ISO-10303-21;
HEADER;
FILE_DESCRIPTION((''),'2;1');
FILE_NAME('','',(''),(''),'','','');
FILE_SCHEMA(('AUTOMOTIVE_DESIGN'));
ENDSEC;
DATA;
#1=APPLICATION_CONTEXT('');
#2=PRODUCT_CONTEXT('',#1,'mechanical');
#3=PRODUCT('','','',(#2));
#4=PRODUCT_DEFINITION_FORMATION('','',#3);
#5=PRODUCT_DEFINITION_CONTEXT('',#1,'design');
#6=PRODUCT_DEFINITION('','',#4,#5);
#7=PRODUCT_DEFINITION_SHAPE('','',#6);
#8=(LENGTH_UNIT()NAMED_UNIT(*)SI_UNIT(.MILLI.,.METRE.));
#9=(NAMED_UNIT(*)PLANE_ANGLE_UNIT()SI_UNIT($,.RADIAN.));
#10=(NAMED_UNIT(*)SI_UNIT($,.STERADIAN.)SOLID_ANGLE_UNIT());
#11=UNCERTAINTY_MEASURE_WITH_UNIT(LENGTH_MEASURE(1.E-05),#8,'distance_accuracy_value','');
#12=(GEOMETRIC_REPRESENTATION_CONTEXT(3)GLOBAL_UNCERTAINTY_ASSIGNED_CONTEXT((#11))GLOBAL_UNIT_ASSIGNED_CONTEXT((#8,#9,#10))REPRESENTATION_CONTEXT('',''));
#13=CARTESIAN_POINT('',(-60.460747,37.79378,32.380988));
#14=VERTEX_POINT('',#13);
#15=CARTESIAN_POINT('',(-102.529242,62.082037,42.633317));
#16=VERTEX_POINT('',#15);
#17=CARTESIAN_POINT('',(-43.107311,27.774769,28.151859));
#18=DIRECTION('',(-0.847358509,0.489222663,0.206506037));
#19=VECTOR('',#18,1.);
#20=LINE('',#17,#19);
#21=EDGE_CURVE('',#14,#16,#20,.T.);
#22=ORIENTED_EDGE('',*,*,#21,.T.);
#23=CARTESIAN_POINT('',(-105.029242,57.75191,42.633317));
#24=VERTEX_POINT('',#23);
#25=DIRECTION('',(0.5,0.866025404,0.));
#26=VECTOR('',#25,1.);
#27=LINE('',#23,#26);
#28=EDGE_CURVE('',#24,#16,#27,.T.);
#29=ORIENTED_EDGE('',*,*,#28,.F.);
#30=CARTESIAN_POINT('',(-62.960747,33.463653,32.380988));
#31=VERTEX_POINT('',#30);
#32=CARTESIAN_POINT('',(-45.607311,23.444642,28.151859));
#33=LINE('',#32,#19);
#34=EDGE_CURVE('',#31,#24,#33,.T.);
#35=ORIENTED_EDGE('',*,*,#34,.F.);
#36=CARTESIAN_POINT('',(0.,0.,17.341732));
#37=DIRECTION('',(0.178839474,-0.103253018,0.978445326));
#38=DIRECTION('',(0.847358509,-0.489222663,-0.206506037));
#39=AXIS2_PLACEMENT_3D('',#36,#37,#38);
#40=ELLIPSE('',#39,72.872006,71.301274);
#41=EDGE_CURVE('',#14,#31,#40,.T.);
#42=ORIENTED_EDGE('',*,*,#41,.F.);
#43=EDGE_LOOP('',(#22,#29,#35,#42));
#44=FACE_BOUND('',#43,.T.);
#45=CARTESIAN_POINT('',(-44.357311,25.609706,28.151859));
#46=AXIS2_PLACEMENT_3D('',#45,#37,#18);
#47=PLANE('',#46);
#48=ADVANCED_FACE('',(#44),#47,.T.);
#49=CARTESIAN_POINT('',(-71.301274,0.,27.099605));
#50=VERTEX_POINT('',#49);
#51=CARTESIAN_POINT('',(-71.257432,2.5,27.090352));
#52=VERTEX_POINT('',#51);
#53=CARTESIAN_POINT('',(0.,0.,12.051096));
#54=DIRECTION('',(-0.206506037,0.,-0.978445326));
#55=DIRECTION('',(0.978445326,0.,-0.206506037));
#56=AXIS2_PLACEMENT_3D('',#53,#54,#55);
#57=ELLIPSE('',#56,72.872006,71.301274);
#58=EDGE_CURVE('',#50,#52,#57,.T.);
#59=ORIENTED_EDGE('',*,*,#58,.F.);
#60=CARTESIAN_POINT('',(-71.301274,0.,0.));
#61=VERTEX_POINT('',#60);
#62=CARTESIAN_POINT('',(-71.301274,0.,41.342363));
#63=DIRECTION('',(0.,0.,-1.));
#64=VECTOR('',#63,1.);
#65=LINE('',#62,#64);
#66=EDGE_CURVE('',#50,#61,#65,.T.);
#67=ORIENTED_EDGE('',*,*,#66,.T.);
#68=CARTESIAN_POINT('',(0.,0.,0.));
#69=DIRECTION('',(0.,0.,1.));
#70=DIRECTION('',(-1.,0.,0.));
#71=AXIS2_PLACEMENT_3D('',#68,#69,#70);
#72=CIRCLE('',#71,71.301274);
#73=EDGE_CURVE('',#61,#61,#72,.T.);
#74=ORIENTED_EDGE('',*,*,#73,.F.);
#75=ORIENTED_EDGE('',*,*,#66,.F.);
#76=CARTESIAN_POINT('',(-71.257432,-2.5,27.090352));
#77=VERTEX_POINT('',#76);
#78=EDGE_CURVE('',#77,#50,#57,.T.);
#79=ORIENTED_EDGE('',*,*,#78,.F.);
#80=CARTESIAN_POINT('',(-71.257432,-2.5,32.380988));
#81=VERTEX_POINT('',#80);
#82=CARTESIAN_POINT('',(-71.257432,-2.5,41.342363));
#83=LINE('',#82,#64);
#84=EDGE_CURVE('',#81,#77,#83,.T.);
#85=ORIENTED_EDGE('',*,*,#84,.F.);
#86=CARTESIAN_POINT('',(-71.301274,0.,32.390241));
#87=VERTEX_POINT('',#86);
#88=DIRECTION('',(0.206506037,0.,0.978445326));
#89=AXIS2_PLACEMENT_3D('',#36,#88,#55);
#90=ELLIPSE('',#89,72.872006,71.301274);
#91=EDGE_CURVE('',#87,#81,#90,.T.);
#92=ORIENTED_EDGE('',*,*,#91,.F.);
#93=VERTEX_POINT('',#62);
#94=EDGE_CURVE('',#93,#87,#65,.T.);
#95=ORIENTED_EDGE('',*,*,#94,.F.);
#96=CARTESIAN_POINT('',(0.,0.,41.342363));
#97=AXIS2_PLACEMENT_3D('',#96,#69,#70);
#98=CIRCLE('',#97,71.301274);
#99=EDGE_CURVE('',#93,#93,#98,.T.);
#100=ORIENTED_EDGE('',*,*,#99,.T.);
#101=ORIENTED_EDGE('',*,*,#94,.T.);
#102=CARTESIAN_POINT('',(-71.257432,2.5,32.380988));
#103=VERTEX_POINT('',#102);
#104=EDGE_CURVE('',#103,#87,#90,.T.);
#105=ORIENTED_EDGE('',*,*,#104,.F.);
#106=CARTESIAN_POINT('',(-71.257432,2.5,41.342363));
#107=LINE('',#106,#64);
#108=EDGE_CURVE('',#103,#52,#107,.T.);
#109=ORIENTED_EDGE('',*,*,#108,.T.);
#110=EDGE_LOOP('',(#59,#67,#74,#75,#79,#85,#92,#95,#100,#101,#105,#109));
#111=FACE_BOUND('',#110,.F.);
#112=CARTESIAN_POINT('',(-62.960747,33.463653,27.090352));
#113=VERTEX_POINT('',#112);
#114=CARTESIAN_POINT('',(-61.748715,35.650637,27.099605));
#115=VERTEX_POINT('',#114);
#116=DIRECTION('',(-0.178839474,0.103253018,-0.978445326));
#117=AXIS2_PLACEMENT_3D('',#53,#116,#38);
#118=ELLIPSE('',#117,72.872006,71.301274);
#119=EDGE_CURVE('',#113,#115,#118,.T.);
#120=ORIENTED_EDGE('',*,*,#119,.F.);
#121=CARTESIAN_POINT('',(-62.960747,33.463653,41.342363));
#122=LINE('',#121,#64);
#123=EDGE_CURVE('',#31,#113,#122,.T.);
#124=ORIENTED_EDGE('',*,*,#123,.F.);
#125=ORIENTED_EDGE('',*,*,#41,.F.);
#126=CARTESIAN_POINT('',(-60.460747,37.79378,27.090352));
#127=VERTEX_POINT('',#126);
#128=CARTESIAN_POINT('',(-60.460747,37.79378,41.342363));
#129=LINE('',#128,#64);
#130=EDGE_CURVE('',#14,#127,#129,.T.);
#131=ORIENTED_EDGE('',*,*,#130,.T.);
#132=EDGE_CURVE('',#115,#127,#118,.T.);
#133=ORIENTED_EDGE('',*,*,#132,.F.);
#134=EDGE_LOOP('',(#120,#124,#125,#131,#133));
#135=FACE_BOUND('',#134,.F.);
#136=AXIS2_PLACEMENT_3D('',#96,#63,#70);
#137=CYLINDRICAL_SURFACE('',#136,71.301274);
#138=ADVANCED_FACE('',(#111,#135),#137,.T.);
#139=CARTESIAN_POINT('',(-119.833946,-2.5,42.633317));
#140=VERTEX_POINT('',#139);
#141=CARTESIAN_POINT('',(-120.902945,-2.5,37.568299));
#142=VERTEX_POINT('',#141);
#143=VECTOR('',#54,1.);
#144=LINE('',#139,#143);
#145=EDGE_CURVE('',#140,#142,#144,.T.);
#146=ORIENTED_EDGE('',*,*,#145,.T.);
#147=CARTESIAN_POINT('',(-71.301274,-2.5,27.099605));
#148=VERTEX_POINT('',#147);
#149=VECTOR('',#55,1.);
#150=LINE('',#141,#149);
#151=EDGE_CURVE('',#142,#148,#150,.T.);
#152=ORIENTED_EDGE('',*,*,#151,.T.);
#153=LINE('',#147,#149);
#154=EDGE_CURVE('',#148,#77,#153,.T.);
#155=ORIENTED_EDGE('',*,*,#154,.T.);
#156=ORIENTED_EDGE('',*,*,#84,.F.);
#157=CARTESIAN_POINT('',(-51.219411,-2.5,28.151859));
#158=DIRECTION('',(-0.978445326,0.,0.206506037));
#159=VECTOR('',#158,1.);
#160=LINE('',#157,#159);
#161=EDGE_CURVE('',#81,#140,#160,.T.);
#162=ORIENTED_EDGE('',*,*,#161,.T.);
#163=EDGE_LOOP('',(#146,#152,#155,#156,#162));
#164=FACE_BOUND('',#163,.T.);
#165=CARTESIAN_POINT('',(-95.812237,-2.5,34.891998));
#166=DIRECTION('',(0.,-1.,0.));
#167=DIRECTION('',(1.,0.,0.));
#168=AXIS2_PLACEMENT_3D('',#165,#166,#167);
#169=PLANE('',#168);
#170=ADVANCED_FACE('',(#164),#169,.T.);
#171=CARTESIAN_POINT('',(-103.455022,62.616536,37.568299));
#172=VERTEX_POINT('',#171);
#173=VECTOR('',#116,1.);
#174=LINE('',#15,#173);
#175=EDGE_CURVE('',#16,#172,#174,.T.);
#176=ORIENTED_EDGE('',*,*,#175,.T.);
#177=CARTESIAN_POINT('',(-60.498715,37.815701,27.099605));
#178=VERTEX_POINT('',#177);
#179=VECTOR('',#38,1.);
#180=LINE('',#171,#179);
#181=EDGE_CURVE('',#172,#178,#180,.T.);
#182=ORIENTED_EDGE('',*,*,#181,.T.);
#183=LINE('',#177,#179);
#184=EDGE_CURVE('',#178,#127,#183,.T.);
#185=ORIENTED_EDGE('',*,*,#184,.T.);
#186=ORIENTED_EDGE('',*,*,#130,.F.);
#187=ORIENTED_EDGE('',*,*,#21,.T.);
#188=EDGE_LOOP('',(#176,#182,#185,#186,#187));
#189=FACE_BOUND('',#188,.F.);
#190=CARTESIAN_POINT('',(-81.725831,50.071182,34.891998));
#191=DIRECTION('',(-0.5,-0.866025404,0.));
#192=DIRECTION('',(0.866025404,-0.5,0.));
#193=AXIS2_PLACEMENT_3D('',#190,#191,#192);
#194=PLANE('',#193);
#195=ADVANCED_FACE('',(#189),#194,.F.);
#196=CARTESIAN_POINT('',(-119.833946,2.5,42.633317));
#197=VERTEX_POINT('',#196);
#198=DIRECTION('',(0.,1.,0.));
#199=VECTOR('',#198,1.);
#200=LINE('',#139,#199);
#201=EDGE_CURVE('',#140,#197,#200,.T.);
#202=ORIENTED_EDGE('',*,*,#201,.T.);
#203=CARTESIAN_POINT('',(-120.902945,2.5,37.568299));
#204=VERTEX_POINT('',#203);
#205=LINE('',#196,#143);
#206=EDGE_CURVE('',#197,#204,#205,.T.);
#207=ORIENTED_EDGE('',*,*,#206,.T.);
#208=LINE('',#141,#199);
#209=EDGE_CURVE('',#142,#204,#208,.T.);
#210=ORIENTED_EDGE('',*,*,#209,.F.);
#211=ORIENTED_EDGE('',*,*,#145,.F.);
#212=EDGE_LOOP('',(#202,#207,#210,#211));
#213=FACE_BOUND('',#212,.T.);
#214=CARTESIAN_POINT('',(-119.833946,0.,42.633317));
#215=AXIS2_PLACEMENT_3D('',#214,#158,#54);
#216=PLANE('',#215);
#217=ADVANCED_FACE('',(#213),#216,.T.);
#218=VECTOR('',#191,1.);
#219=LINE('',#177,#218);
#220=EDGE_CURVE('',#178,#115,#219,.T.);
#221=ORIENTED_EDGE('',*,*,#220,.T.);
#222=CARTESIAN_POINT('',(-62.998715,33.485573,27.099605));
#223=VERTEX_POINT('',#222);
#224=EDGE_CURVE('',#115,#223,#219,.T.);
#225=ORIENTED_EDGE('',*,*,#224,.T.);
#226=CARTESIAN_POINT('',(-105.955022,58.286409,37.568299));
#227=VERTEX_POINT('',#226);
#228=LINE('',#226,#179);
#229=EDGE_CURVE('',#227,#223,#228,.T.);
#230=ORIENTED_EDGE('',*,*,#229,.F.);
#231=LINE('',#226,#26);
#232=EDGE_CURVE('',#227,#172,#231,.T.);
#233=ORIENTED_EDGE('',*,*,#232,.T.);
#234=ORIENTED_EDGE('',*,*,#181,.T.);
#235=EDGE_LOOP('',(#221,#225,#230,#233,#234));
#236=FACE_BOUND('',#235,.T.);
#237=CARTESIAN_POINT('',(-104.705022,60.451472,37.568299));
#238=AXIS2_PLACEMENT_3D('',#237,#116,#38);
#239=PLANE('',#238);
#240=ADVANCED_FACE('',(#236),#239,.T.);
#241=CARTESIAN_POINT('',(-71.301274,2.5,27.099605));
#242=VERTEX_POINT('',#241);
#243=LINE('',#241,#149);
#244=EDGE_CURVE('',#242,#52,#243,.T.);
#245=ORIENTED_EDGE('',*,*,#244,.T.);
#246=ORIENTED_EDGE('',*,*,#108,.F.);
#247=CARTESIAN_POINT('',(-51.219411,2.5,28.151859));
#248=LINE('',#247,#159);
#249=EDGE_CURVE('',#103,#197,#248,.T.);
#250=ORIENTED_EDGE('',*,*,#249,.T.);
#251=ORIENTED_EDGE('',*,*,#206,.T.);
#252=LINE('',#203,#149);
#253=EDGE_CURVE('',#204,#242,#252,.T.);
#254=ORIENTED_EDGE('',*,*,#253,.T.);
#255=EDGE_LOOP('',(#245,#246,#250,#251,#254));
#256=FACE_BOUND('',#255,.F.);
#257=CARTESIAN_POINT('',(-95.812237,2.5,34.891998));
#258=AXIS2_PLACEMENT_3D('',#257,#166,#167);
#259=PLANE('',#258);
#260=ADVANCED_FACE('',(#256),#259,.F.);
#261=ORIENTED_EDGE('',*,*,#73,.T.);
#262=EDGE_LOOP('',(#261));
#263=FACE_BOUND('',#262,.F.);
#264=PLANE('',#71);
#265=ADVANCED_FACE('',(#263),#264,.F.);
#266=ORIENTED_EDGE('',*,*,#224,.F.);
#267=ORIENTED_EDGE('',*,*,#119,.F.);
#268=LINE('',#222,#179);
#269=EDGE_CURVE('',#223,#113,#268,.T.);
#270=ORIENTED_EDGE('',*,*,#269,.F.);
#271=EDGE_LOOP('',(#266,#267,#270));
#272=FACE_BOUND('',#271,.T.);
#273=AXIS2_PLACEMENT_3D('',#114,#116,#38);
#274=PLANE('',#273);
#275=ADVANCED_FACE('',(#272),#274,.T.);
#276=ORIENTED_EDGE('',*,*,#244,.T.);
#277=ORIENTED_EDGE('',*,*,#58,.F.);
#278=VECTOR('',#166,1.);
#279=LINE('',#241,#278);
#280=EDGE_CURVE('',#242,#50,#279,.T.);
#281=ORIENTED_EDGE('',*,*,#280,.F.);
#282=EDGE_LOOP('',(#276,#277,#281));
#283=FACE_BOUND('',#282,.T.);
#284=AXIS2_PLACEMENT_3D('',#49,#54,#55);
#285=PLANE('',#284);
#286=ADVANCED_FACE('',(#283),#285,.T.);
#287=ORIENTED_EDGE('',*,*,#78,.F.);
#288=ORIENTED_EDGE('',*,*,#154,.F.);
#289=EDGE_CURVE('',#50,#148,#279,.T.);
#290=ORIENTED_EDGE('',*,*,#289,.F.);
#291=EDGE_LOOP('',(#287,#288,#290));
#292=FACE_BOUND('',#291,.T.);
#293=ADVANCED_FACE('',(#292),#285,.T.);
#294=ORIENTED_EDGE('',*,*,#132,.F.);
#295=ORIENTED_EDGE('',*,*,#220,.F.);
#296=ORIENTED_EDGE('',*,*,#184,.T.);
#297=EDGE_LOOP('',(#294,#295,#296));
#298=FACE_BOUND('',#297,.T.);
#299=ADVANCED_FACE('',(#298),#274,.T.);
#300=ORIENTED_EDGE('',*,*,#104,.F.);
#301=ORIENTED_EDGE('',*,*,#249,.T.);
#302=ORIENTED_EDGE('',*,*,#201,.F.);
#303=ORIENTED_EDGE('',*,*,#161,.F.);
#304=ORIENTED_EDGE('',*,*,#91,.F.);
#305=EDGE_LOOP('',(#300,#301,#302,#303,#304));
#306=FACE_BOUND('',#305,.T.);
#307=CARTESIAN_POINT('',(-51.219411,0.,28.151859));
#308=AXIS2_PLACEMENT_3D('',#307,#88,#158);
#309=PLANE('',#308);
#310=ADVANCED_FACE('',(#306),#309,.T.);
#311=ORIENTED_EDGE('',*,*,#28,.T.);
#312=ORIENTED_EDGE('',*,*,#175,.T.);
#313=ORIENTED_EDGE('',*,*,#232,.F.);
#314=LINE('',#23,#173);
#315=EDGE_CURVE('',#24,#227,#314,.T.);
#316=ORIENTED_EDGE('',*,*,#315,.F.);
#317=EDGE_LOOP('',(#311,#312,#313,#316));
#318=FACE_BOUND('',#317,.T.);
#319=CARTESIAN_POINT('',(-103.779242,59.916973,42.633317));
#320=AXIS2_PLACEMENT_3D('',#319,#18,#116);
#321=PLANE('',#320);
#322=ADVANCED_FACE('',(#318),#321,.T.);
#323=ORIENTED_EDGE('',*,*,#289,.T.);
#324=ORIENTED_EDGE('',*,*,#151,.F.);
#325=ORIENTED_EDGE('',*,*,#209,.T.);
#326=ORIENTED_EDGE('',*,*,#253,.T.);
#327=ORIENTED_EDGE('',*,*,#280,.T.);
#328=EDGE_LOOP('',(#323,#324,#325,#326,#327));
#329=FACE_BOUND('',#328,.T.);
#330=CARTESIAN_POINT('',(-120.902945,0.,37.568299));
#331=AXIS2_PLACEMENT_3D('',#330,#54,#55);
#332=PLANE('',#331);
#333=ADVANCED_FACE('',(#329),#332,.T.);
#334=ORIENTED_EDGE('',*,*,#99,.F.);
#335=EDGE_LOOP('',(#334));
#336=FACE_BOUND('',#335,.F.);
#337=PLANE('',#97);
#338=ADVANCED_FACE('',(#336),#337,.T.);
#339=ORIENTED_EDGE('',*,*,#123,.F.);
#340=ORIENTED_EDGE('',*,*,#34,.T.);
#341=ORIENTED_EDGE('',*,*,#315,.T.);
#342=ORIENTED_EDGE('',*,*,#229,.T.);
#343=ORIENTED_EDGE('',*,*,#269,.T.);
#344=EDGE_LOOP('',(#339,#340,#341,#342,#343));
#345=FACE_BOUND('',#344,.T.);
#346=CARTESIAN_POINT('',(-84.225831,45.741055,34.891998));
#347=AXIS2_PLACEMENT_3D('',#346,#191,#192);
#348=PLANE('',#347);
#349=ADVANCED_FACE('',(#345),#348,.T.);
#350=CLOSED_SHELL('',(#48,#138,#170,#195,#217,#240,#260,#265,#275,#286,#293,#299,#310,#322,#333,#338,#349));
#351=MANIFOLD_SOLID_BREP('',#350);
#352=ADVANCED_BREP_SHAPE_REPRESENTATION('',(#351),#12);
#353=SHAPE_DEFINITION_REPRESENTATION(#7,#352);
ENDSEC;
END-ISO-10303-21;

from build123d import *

# Parameters (mm, degrees)
F2_DEPTH = 2.5
F3_COUNT = 2
F3_ANGLE = 30


with BuildPart() as f1:
    # F0 (on Front) → F1 (revolve)
    with BuildSketch(Plane.XZ):
        Polygon((-71.3012740016, 0), (0, 0), (0, 41.3423627615), (-71.3012740016, 41.3423627615), (-71.3012740016, 32.3902414565), (-51.2194111943, 28.151858598), (-52.2884099565, 23.0868403589), (-71.3012740016, 27.0996054014), align=None)
        Polygon((-71.3012740016, 32.3902414565), (-71.3012740016, 27.0996054014), (-52.2884099565, 23.0868403589), (-51.2194111943, 28.151858598), align=None)
    revolve(axis=Axis((0, 0, 20.6711813807), (0, 0, 1)))

    # F0 (on Front) → F2 (join, symmetric)
    with BuildSketch(Plane.XZ):
        Polygon((-120.9029449902, 37.5682991719), (-71.3012740016, 27.0996054014), (-71.3012740016, 32.3902414565), (-119.833946228, 42.6333174109), align=None)
        Polygon((-71.3012740016, 32.3902414565), (-71.3012740016, 27.0996054014), (-52.2884099565, 23.0868403589), (-51.2194111943, 28.151858598), align=None)
    f2 = extrude(amount=F2_DEPTH, both=True)

    # F3: F2 ×2 about axis
    f3_axis = Axis((0, 0, 41.3423627615), (0, 0, -1))
    for i in range(1, F3_COUNT):
        add(f2.rotate(f3_axis, i * F3_ANGLE / (F3_COUNT - 1)))


solid = f1.part
